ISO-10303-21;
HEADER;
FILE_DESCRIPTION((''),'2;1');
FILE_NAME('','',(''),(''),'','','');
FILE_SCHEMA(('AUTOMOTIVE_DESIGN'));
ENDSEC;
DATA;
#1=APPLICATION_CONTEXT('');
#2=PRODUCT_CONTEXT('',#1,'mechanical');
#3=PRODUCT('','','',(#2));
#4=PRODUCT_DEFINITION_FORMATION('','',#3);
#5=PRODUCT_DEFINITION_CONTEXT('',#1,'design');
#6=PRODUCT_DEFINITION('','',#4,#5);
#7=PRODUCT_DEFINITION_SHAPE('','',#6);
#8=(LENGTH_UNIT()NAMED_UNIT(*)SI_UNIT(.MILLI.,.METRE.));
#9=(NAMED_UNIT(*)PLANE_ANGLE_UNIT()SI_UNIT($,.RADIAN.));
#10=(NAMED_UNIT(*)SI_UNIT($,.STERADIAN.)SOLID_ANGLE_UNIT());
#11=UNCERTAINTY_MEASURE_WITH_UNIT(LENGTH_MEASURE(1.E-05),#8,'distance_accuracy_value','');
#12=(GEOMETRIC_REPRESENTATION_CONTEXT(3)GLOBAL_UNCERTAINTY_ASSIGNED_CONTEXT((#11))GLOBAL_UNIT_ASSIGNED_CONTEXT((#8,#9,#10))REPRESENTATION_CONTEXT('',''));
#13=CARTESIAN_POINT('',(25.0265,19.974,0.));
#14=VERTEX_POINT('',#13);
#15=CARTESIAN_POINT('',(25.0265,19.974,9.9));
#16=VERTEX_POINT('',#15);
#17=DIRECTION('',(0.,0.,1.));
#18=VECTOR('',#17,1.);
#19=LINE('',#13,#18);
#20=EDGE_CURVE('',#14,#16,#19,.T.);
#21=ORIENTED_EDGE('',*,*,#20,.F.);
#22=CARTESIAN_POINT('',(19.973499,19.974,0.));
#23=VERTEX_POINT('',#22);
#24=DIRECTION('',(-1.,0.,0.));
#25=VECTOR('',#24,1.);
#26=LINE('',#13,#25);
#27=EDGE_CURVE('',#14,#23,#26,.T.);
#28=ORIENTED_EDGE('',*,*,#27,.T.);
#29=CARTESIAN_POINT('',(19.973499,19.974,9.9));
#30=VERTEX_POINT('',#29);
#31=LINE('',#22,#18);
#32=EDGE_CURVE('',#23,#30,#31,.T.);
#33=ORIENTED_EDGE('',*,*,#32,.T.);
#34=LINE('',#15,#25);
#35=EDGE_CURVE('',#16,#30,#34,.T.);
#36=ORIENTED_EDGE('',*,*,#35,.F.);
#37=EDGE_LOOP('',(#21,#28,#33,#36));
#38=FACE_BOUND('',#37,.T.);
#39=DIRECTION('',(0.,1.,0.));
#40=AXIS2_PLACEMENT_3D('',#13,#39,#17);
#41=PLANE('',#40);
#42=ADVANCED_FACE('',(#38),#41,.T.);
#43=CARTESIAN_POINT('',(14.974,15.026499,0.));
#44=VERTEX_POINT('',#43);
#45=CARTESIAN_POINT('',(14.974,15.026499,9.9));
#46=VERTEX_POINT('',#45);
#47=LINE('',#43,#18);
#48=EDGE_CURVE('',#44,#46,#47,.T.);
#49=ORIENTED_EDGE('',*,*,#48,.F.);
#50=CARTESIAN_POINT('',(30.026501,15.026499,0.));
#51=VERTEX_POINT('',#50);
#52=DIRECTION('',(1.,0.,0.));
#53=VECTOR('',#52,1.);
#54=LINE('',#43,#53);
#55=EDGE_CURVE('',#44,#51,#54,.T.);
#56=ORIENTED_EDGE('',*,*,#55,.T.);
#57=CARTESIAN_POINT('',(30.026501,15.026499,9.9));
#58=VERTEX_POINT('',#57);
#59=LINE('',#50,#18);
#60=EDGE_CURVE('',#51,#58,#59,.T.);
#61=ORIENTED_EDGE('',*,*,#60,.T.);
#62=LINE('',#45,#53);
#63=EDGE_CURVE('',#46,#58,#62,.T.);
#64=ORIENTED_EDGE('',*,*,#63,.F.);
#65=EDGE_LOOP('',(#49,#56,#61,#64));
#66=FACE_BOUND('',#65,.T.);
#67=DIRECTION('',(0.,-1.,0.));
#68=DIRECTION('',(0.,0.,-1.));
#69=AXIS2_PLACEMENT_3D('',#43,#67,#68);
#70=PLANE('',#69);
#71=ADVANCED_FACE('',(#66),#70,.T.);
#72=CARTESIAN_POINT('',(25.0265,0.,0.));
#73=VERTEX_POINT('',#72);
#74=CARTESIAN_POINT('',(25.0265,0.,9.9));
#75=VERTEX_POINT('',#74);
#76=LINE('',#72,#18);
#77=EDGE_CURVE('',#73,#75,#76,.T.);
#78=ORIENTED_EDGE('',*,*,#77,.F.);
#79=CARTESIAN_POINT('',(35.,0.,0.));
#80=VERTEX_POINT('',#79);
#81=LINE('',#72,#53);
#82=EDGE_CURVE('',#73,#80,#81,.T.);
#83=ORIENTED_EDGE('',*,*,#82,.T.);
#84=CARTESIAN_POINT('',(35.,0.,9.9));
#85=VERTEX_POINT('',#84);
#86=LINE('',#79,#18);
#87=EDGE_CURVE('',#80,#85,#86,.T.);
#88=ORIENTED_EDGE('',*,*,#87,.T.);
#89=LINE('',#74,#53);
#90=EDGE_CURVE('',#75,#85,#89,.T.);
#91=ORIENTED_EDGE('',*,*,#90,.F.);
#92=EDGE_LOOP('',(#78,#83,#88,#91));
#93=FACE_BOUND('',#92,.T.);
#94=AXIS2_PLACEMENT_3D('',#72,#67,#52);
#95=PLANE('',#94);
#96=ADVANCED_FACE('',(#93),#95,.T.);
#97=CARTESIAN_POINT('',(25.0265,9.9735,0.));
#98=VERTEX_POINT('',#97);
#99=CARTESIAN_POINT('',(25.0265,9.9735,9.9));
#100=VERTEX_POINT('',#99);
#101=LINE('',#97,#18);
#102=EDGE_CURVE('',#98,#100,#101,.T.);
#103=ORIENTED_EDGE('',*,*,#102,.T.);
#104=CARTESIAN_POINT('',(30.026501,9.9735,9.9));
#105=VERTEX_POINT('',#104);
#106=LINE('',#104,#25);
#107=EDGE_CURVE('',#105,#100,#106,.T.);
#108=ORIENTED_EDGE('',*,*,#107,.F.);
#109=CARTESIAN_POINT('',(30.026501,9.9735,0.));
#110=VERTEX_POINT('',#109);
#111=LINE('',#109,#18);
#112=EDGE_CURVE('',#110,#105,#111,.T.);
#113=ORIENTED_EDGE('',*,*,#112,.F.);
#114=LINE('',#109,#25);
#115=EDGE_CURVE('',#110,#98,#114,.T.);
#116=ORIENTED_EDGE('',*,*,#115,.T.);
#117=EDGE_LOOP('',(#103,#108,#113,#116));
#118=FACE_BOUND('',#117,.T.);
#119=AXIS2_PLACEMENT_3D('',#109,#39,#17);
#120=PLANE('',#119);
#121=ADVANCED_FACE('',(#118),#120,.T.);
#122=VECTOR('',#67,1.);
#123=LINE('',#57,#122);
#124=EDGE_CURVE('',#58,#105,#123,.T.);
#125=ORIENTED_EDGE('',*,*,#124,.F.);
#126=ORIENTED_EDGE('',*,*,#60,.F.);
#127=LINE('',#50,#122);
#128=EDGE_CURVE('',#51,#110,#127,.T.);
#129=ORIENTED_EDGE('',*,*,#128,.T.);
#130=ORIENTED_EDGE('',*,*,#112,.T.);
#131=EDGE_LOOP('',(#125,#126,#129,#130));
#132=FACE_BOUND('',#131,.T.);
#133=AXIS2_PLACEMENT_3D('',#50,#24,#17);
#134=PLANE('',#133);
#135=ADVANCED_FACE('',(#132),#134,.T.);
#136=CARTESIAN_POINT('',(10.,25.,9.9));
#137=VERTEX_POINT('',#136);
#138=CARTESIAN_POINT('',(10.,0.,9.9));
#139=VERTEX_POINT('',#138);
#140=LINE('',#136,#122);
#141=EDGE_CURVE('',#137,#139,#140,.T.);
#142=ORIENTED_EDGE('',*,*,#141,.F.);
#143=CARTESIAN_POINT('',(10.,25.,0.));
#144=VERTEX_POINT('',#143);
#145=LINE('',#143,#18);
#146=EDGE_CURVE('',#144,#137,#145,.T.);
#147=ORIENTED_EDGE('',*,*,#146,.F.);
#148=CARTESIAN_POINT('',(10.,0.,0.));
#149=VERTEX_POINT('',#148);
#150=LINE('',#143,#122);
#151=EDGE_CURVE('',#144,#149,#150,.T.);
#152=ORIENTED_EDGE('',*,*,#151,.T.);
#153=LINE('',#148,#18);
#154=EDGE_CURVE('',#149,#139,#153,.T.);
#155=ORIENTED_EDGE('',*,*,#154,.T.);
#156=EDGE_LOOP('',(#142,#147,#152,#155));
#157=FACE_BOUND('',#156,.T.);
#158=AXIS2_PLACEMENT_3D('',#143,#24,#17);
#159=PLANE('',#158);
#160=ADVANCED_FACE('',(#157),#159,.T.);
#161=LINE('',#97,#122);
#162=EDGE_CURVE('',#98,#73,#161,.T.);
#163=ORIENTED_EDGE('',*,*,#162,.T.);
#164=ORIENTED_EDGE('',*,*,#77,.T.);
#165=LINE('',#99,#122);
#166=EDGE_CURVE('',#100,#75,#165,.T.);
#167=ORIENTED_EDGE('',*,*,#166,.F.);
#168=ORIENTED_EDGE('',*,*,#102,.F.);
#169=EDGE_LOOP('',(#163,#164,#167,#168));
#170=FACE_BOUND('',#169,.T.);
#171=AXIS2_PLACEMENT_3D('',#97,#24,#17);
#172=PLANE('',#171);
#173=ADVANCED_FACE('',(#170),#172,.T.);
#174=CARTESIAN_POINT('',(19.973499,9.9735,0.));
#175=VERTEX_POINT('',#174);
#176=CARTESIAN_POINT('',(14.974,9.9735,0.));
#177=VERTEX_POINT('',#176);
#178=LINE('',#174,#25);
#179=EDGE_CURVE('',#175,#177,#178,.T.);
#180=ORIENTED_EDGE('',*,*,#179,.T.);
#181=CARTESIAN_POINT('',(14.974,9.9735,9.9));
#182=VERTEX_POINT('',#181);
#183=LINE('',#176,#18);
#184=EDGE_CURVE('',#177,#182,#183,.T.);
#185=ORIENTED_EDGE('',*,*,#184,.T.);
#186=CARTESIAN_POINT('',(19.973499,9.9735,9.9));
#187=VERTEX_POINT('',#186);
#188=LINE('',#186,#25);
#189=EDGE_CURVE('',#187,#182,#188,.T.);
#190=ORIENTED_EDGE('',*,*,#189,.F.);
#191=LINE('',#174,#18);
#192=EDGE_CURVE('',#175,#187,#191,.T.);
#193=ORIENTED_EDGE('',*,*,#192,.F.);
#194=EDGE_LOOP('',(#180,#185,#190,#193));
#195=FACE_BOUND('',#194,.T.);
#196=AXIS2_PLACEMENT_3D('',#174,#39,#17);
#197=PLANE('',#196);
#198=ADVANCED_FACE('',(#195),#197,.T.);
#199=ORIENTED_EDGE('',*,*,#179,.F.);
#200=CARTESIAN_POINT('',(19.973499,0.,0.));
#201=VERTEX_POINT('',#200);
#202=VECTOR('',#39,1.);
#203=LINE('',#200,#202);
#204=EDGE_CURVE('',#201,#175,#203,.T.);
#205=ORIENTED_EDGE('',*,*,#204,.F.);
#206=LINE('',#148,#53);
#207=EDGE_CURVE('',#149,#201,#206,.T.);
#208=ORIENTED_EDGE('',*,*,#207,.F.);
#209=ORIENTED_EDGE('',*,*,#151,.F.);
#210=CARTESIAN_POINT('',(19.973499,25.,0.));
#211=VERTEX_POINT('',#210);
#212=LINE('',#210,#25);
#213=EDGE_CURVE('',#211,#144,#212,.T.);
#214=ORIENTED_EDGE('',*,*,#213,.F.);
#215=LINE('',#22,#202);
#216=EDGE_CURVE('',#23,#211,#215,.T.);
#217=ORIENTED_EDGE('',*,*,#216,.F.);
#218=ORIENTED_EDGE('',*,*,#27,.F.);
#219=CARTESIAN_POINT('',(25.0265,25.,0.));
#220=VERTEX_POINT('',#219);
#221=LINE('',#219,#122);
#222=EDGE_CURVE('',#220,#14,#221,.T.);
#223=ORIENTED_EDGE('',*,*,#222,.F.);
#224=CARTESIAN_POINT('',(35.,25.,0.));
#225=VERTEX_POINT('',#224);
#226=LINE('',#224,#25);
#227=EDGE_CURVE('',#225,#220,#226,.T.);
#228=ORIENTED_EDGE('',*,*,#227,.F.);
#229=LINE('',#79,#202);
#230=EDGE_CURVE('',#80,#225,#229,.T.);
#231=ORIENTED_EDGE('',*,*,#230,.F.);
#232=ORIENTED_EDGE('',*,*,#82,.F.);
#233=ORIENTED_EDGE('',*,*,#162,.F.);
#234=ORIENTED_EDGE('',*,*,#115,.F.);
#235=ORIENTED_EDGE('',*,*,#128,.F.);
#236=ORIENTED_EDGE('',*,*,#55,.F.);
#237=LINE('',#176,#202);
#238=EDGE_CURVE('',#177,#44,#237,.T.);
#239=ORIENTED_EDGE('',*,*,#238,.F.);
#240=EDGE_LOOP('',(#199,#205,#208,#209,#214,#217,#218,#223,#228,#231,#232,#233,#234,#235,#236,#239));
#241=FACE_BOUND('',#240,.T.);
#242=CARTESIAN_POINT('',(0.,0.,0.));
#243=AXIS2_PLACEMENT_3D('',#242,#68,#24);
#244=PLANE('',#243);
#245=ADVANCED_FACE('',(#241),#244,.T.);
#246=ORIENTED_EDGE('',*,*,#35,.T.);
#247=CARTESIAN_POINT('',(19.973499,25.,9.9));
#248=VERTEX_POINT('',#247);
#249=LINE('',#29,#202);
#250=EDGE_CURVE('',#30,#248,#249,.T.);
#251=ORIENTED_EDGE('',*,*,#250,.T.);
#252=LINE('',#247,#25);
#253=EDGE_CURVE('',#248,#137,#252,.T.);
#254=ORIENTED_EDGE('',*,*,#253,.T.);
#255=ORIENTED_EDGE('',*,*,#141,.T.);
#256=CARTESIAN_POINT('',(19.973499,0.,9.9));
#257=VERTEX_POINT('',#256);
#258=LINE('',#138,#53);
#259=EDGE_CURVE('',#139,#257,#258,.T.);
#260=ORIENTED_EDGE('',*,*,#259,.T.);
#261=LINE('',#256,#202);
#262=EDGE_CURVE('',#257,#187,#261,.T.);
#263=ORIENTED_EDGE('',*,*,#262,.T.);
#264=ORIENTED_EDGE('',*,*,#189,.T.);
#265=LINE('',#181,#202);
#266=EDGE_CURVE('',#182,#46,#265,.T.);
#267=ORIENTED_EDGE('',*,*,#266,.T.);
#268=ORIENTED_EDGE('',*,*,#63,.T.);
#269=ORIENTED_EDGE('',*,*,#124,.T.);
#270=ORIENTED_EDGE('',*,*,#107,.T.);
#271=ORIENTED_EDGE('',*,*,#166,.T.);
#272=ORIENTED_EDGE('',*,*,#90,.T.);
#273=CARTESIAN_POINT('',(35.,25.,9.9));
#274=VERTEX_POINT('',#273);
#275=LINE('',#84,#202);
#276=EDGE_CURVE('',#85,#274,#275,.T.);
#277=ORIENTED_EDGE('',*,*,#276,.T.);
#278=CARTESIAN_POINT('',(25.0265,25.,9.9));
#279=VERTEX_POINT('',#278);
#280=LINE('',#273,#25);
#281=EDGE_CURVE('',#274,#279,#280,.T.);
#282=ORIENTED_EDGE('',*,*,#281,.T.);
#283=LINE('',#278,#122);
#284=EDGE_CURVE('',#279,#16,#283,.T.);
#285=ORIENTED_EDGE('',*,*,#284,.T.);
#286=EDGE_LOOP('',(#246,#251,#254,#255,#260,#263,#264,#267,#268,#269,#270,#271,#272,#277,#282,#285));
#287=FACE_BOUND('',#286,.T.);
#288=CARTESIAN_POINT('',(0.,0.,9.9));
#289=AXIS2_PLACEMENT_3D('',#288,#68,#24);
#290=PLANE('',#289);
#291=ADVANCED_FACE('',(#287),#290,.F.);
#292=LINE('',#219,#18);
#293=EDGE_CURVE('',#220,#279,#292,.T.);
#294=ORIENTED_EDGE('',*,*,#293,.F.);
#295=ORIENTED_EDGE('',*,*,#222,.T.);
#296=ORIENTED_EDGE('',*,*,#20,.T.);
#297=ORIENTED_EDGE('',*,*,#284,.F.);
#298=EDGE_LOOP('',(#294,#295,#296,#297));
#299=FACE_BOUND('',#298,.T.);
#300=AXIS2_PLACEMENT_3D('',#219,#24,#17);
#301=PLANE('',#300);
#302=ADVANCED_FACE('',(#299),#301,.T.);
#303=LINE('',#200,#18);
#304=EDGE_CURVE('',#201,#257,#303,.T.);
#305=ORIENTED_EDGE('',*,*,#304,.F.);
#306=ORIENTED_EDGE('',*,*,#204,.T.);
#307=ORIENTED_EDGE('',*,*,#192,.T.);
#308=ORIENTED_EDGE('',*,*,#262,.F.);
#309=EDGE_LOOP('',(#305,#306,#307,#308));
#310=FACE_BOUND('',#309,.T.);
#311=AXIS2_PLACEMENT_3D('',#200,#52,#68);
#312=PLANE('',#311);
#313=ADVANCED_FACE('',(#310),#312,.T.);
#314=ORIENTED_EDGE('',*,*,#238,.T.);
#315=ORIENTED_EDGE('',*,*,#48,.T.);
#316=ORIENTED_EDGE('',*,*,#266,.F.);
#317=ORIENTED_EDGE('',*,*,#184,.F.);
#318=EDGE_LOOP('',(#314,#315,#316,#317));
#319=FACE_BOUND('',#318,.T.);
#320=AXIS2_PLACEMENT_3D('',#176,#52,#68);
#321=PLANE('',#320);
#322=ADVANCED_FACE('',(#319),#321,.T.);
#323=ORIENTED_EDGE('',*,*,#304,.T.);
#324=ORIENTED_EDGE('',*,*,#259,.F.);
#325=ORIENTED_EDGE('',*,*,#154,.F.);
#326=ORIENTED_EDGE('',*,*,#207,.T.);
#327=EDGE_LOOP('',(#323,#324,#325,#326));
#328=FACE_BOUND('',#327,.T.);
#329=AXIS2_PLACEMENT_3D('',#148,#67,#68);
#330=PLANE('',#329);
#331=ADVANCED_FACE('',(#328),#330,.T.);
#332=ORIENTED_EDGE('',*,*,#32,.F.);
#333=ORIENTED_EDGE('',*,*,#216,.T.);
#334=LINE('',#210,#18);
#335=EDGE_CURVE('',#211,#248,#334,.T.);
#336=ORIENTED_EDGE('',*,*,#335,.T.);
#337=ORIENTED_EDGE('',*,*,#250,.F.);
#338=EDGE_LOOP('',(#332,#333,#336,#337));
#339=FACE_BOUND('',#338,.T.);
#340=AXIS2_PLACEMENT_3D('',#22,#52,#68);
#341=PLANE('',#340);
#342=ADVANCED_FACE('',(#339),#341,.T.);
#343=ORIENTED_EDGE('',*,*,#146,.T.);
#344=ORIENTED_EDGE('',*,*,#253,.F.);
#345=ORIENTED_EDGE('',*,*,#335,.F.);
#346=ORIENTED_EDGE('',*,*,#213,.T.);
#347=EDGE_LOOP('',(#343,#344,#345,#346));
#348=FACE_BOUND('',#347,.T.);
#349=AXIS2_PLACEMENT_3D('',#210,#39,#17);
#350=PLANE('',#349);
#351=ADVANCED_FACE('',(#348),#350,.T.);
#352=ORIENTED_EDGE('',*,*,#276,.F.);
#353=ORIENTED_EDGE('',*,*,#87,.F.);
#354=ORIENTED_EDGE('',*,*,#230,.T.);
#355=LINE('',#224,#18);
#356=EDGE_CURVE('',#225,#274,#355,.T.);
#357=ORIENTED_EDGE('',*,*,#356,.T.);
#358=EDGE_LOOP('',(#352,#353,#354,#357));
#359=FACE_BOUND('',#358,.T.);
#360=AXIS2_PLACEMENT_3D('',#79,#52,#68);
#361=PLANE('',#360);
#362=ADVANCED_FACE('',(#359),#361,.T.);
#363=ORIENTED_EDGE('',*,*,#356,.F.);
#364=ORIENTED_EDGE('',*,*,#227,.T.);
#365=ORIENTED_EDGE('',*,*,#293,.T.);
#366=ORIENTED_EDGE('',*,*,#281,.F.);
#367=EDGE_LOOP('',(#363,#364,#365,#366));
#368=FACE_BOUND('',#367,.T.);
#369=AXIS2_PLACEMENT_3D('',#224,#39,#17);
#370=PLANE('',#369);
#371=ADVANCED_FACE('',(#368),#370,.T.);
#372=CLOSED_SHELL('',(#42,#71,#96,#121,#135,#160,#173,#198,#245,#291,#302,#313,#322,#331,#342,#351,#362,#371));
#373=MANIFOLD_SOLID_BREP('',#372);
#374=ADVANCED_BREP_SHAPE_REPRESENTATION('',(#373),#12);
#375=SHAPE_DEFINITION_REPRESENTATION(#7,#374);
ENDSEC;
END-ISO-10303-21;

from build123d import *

# Parameters (mm, degrees)
BOSS_EXTRUDE1_DEPTH = 9.899999946


with BuildPart() as part:
    # Sketch1 → Boss-Extrude1 (new body)
    with BuildSketch(Plane.XY.offset(9.899999946)):
        Polygon((14.973999709, 9.973499775), (14.973999709, 15.026499293), (30.026500597, 15.026499293), (30.026500597, 9.973499775), (25.026499852, 9.973499775), (25.026499852, 0), (34.999999627, 0), (34.999999627, 25), (25.026499852, 25), (25.026499852, 19.974000454), (19.973499403, 19.974000454), (19.973499403, 25), (9.999999627, 25), (9.999999627, 0), (19.973499403, 0), (19.973499403, 9.973499775), align=None)
    extrude(amount=-BOSS_EXTRUDE1_DEPTH)


solid = part.part
